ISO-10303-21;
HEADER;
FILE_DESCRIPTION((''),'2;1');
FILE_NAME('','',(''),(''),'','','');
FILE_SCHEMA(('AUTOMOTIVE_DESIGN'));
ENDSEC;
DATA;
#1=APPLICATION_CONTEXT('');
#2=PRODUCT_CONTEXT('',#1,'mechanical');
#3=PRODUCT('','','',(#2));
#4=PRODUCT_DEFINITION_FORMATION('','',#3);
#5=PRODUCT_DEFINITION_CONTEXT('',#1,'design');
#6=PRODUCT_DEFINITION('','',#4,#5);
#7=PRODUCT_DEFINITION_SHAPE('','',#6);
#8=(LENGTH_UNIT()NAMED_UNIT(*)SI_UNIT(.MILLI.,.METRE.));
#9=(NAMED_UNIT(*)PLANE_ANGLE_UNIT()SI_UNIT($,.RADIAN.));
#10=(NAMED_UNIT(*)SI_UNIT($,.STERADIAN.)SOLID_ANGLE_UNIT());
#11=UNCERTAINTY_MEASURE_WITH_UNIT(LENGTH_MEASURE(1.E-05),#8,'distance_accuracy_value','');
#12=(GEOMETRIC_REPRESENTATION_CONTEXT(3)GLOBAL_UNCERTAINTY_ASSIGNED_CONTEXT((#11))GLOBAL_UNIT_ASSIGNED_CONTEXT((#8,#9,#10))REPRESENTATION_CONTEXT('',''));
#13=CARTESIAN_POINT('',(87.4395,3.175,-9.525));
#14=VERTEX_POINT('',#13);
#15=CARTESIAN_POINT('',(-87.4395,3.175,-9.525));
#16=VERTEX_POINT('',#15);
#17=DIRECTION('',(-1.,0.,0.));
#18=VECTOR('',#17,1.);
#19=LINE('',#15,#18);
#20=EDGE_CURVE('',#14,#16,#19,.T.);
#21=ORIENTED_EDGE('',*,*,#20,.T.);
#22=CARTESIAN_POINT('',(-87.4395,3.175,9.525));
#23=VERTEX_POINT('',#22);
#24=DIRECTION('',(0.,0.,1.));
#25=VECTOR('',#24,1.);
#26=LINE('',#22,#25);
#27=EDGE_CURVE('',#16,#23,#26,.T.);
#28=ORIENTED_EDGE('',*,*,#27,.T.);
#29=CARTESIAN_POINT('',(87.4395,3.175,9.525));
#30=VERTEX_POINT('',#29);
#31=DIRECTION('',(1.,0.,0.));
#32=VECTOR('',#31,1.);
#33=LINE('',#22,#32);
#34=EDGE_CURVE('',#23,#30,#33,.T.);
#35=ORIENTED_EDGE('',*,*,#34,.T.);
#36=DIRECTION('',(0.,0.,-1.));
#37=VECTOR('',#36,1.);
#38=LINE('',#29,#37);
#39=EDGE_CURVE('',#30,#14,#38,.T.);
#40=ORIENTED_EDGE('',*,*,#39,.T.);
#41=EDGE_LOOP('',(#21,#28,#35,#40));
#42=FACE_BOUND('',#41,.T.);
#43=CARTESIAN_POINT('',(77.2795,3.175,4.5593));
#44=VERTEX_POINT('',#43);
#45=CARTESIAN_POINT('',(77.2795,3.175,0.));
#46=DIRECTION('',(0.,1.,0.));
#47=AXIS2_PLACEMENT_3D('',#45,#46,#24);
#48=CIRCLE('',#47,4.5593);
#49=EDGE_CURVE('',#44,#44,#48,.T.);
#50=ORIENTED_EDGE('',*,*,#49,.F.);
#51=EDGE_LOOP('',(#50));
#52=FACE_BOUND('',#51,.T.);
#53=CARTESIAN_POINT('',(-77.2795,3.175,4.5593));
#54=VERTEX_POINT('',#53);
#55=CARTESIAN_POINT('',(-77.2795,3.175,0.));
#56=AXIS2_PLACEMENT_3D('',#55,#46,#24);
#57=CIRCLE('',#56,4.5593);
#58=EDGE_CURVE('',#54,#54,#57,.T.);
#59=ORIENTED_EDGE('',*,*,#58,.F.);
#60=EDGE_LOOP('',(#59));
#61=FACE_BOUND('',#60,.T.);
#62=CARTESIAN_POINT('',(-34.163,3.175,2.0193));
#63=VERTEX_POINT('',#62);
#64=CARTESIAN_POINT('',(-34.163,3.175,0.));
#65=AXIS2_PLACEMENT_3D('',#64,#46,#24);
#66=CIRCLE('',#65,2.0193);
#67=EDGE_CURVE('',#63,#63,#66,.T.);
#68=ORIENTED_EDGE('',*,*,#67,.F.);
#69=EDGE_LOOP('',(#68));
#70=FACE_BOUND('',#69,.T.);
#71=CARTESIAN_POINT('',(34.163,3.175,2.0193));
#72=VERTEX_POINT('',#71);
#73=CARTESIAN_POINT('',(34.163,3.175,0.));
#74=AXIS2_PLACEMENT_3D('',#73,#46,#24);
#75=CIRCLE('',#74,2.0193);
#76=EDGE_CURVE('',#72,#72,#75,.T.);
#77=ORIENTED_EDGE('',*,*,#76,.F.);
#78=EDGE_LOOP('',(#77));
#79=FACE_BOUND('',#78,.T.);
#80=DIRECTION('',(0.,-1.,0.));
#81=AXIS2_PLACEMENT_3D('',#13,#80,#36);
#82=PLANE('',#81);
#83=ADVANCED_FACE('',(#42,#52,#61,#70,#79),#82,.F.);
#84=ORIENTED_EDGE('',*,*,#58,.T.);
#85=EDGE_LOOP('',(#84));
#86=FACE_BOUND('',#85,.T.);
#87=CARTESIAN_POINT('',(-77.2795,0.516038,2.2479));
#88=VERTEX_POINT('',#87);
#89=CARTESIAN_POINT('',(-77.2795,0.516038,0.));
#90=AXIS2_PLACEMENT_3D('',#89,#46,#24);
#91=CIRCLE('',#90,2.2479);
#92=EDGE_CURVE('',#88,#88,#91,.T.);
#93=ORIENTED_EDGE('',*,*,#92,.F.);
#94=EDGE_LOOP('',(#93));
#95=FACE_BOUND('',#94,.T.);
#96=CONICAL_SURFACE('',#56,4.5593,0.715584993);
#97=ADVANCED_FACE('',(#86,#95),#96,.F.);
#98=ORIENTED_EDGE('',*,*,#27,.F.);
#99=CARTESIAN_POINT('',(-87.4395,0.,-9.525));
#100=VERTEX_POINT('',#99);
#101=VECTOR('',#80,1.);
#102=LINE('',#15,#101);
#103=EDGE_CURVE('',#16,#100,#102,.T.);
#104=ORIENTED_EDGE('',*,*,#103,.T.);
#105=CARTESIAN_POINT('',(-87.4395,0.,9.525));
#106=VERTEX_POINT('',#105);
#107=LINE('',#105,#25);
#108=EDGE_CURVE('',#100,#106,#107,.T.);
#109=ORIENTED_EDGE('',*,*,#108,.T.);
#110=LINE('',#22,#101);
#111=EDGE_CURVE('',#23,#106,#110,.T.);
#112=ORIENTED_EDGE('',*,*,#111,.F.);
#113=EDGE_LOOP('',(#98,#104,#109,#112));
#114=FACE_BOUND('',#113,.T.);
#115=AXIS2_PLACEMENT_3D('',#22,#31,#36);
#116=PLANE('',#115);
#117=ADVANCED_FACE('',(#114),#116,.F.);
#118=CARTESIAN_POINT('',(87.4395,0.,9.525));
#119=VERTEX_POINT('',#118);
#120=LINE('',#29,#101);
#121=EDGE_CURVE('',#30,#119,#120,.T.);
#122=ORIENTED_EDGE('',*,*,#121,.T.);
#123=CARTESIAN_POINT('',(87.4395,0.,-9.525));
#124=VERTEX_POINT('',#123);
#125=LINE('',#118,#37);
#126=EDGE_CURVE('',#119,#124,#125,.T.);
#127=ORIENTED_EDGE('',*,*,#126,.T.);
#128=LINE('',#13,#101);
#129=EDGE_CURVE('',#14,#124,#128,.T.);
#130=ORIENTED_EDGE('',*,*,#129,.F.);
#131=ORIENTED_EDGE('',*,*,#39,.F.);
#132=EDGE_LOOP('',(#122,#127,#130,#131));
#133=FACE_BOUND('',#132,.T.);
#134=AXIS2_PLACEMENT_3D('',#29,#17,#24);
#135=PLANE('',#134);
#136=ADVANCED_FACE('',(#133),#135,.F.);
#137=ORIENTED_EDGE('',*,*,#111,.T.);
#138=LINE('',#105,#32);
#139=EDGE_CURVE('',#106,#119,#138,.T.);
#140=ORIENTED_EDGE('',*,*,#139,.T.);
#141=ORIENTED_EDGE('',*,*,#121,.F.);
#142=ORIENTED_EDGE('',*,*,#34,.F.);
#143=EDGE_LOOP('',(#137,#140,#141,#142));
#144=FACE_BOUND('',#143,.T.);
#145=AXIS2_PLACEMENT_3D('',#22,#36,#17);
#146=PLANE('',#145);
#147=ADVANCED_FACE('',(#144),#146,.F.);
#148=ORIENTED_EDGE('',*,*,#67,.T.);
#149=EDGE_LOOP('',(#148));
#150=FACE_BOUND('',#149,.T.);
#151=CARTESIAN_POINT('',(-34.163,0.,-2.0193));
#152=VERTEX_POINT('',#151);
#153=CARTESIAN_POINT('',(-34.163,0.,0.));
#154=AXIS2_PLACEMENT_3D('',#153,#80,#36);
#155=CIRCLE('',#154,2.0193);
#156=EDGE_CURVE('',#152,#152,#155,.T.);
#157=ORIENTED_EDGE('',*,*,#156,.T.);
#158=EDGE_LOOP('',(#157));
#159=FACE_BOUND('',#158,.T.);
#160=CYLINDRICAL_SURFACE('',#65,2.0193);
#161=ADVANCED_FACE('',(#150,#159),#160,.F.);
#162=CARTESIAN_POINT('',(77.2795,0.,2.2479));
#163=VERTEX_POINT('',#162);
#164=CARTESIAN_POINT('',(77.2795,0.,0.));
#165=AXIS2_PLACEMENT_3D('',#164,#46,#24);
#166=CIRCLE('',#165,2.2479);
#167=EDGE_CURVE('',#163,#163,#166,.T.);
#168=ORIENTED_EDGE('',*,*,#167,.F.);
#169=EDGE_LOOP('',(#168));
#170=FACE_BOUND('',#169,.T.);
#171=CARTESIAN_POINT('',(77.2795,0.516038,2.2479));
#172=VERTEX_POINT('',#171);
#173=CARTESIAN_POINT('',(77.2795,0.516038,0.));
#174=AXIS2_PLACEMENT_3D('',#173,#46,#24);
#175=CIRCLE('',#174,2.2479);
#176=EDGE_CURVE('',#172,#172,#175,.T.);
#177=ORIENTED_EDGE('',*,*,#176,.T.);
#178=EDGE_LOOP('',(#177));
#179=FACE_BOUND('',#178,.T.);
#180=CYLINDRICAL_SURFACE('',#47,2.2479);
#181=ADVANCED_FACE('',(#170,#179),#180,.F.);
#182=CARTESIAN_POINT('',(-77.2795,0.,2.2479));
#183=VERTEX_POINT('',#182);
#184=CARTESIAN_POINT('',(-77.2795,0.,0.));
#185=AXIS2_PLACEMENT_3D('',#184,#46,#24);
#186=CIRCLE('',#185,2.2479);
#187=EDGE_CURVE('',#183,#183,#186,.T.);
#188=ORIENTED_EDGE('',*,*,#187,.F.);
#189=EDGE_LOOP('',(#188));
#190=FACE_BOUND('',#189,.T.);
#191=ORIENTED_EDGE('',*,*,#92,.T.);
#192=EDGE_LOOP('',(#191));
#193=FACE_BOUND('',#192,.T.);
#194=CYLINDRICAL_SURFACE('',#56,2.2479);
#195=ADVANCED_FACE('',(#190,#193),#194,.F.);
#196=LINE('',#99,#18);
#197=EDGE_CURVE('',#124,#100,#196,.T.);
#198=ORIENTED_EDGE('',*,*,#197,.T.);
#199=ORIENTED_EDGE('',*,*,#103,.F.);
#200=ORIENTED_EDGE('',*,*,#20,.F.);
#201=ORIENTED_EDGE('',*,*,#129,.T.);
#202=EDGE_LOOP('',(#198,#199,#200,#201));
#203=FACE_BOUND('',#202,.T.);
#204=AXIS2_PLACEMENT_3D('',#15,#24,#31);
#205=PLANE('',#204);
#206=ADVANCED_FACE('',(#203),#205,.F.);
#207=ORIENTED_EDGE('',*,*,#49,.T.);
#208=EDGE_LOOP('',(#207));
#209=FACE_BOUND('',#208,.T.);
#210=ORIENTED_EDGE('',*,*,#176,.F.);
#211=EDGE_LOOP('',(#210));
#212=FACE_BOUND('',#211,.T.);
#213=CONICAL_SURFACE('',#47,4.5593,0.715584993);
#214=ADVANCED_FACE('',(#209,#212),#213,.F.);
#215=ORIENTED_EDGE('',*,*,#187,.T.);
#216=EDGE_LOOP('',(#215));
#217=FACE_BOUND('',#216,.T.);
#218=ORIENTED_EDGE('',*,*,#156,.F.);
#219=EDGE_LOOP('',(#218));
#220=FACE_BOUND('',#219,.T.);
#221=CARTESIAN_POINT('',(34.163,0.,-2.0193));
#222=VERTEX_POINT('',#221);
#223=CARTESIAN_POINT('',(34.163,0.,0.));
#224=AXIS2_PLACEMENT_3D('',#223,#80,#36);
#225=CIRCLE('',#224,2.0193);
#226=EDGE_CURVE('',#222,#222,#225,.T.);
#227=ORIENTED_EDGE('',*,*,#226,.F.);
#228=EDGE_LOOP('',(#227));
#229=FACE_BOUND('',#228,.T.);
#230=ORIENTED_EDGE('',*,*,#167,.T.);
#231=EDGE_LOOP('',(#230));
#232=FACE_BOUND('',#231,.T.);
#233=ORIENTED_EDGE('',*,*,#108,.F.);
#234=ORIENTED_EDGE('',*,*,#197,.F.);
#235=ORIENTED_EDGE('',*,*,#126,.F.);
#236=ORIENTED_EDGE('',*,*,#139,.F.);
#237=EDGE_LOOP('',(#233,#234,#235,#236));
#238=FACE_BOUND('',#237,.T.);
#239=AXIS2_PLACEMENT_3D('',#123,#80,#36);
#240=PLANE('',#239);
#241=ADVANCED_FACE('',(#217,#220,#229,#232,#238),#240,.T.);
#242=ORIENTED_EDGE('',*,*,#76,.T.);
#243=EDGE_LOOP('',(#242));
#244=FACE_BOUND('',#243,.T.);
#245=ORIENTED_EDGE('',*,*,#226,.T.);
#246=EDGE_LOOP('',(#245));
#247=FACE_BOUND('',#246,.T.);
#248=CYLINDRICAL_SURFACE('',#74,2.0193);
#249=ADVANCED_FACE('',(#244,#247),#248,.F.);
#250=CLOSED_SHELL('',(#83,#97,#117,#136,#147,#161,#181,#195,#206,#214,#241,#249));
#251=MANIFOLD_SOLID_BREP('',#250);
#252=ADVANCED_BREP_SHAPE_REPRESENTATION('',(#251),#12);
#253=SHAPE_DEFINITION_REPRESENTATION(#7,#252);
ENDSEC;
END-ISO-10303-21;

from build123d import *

# Parameters (mm, degrees)
SKETCH1_W                                     = 174.879
SKETCH1_H                                     = 19.05
BOSS_EXTRUDE1_DEPTH                           = 3.175
F_10_32_TAPPED_HOLE1_D                        = 4.0386
F_10_32_TAPPED_HOLE1_DEPTH                    = 11.938
F_10_32_TAPPED_HOLE1_TIP                      = 1.213317848
CSK_FOR_8_FLAT_HEAD_SOCKET_CAP_SCREW1_A_COUNT = 2
CSK_FOR_8_FLAT_HEAD_SOCKET_CAP_SCREW1_A_PITCH = 154.559


with BuildPart() as part:
    # Sketch1 → Boss-Extrude1 (new body)
    with BuildSketch(Plane(origin=(0, 0, 0), x_dir=(1, 0, 0), z_dir=(0, 1, 0))):
        Rectangle(SKETCH1_W, SKETCH1_H)
    extrude(amount=BOSS_EXTRUDE1_DEPTH)

    # #10-32 Tapped Hole1
    with Locations(Plane(origin=(0, 3.175, 0), x_dir=(-1, 0, 0), z_dir=(0, 1, 0))):
        with Locations((34.163, 0), (-34.163, 0)):
            Hole(F_10_32_TAPPED_HOLE1_D / 2, depth=F_10_32_TAPPED_HOLE1_DEPTH)
            with Locations((0, 0, -(F_10_32_TAPPED_HOLE1_DEPTH + F_10_32_TAPPED_HOLE1_TIP / 2))):  # 118° drill point
                Cone(0, F_10_32_TAPPED_HOLE1_D / 2, F_10_32_TAPPED_HOLE1_TIP, mode=Mode.SUBTRACT)

    # Sketch10 → CSK for #8 Flat Head Socket Cap Screw1 (revolve, cut)
    with BuildSketch(Plane(origin=(-77.2795, 3.175, 0), x_dir=(0, 0, 1), z_dir=(1, 0, 0))):
        Polygon((0, 0), (0, 3.175), (2.2479, 3.175), (2.2479, 2.658961536), (4.5593, 0), align=None)
    csk_for_8_flat_head_socket_cap_screw1 = revolve(axis=Axis((-77.2795, 9.525, 0), (0, -1, 0)), mode=Mode.SUBTRACT)

    # CSK for #8 Flat Head Socket Cap Screw1 a: CSK for #8 Flat Head Socket Cap Screw1 ×2
    with Locations(*[(i * CSK_FOR_8_FLAT_HEAD_SOCKET_CAP_SCREW1_A_PITCH, 0, 0) for i in range(1, CSK_FOR_8_FLAT_HEAD_SOCKET_CAP_SCREW1_A_COUNT)]):
        add(csk_for_8_flat_head_socket_cap_screw1, mode=Mode.SUBTRACT)


solid = part.part
